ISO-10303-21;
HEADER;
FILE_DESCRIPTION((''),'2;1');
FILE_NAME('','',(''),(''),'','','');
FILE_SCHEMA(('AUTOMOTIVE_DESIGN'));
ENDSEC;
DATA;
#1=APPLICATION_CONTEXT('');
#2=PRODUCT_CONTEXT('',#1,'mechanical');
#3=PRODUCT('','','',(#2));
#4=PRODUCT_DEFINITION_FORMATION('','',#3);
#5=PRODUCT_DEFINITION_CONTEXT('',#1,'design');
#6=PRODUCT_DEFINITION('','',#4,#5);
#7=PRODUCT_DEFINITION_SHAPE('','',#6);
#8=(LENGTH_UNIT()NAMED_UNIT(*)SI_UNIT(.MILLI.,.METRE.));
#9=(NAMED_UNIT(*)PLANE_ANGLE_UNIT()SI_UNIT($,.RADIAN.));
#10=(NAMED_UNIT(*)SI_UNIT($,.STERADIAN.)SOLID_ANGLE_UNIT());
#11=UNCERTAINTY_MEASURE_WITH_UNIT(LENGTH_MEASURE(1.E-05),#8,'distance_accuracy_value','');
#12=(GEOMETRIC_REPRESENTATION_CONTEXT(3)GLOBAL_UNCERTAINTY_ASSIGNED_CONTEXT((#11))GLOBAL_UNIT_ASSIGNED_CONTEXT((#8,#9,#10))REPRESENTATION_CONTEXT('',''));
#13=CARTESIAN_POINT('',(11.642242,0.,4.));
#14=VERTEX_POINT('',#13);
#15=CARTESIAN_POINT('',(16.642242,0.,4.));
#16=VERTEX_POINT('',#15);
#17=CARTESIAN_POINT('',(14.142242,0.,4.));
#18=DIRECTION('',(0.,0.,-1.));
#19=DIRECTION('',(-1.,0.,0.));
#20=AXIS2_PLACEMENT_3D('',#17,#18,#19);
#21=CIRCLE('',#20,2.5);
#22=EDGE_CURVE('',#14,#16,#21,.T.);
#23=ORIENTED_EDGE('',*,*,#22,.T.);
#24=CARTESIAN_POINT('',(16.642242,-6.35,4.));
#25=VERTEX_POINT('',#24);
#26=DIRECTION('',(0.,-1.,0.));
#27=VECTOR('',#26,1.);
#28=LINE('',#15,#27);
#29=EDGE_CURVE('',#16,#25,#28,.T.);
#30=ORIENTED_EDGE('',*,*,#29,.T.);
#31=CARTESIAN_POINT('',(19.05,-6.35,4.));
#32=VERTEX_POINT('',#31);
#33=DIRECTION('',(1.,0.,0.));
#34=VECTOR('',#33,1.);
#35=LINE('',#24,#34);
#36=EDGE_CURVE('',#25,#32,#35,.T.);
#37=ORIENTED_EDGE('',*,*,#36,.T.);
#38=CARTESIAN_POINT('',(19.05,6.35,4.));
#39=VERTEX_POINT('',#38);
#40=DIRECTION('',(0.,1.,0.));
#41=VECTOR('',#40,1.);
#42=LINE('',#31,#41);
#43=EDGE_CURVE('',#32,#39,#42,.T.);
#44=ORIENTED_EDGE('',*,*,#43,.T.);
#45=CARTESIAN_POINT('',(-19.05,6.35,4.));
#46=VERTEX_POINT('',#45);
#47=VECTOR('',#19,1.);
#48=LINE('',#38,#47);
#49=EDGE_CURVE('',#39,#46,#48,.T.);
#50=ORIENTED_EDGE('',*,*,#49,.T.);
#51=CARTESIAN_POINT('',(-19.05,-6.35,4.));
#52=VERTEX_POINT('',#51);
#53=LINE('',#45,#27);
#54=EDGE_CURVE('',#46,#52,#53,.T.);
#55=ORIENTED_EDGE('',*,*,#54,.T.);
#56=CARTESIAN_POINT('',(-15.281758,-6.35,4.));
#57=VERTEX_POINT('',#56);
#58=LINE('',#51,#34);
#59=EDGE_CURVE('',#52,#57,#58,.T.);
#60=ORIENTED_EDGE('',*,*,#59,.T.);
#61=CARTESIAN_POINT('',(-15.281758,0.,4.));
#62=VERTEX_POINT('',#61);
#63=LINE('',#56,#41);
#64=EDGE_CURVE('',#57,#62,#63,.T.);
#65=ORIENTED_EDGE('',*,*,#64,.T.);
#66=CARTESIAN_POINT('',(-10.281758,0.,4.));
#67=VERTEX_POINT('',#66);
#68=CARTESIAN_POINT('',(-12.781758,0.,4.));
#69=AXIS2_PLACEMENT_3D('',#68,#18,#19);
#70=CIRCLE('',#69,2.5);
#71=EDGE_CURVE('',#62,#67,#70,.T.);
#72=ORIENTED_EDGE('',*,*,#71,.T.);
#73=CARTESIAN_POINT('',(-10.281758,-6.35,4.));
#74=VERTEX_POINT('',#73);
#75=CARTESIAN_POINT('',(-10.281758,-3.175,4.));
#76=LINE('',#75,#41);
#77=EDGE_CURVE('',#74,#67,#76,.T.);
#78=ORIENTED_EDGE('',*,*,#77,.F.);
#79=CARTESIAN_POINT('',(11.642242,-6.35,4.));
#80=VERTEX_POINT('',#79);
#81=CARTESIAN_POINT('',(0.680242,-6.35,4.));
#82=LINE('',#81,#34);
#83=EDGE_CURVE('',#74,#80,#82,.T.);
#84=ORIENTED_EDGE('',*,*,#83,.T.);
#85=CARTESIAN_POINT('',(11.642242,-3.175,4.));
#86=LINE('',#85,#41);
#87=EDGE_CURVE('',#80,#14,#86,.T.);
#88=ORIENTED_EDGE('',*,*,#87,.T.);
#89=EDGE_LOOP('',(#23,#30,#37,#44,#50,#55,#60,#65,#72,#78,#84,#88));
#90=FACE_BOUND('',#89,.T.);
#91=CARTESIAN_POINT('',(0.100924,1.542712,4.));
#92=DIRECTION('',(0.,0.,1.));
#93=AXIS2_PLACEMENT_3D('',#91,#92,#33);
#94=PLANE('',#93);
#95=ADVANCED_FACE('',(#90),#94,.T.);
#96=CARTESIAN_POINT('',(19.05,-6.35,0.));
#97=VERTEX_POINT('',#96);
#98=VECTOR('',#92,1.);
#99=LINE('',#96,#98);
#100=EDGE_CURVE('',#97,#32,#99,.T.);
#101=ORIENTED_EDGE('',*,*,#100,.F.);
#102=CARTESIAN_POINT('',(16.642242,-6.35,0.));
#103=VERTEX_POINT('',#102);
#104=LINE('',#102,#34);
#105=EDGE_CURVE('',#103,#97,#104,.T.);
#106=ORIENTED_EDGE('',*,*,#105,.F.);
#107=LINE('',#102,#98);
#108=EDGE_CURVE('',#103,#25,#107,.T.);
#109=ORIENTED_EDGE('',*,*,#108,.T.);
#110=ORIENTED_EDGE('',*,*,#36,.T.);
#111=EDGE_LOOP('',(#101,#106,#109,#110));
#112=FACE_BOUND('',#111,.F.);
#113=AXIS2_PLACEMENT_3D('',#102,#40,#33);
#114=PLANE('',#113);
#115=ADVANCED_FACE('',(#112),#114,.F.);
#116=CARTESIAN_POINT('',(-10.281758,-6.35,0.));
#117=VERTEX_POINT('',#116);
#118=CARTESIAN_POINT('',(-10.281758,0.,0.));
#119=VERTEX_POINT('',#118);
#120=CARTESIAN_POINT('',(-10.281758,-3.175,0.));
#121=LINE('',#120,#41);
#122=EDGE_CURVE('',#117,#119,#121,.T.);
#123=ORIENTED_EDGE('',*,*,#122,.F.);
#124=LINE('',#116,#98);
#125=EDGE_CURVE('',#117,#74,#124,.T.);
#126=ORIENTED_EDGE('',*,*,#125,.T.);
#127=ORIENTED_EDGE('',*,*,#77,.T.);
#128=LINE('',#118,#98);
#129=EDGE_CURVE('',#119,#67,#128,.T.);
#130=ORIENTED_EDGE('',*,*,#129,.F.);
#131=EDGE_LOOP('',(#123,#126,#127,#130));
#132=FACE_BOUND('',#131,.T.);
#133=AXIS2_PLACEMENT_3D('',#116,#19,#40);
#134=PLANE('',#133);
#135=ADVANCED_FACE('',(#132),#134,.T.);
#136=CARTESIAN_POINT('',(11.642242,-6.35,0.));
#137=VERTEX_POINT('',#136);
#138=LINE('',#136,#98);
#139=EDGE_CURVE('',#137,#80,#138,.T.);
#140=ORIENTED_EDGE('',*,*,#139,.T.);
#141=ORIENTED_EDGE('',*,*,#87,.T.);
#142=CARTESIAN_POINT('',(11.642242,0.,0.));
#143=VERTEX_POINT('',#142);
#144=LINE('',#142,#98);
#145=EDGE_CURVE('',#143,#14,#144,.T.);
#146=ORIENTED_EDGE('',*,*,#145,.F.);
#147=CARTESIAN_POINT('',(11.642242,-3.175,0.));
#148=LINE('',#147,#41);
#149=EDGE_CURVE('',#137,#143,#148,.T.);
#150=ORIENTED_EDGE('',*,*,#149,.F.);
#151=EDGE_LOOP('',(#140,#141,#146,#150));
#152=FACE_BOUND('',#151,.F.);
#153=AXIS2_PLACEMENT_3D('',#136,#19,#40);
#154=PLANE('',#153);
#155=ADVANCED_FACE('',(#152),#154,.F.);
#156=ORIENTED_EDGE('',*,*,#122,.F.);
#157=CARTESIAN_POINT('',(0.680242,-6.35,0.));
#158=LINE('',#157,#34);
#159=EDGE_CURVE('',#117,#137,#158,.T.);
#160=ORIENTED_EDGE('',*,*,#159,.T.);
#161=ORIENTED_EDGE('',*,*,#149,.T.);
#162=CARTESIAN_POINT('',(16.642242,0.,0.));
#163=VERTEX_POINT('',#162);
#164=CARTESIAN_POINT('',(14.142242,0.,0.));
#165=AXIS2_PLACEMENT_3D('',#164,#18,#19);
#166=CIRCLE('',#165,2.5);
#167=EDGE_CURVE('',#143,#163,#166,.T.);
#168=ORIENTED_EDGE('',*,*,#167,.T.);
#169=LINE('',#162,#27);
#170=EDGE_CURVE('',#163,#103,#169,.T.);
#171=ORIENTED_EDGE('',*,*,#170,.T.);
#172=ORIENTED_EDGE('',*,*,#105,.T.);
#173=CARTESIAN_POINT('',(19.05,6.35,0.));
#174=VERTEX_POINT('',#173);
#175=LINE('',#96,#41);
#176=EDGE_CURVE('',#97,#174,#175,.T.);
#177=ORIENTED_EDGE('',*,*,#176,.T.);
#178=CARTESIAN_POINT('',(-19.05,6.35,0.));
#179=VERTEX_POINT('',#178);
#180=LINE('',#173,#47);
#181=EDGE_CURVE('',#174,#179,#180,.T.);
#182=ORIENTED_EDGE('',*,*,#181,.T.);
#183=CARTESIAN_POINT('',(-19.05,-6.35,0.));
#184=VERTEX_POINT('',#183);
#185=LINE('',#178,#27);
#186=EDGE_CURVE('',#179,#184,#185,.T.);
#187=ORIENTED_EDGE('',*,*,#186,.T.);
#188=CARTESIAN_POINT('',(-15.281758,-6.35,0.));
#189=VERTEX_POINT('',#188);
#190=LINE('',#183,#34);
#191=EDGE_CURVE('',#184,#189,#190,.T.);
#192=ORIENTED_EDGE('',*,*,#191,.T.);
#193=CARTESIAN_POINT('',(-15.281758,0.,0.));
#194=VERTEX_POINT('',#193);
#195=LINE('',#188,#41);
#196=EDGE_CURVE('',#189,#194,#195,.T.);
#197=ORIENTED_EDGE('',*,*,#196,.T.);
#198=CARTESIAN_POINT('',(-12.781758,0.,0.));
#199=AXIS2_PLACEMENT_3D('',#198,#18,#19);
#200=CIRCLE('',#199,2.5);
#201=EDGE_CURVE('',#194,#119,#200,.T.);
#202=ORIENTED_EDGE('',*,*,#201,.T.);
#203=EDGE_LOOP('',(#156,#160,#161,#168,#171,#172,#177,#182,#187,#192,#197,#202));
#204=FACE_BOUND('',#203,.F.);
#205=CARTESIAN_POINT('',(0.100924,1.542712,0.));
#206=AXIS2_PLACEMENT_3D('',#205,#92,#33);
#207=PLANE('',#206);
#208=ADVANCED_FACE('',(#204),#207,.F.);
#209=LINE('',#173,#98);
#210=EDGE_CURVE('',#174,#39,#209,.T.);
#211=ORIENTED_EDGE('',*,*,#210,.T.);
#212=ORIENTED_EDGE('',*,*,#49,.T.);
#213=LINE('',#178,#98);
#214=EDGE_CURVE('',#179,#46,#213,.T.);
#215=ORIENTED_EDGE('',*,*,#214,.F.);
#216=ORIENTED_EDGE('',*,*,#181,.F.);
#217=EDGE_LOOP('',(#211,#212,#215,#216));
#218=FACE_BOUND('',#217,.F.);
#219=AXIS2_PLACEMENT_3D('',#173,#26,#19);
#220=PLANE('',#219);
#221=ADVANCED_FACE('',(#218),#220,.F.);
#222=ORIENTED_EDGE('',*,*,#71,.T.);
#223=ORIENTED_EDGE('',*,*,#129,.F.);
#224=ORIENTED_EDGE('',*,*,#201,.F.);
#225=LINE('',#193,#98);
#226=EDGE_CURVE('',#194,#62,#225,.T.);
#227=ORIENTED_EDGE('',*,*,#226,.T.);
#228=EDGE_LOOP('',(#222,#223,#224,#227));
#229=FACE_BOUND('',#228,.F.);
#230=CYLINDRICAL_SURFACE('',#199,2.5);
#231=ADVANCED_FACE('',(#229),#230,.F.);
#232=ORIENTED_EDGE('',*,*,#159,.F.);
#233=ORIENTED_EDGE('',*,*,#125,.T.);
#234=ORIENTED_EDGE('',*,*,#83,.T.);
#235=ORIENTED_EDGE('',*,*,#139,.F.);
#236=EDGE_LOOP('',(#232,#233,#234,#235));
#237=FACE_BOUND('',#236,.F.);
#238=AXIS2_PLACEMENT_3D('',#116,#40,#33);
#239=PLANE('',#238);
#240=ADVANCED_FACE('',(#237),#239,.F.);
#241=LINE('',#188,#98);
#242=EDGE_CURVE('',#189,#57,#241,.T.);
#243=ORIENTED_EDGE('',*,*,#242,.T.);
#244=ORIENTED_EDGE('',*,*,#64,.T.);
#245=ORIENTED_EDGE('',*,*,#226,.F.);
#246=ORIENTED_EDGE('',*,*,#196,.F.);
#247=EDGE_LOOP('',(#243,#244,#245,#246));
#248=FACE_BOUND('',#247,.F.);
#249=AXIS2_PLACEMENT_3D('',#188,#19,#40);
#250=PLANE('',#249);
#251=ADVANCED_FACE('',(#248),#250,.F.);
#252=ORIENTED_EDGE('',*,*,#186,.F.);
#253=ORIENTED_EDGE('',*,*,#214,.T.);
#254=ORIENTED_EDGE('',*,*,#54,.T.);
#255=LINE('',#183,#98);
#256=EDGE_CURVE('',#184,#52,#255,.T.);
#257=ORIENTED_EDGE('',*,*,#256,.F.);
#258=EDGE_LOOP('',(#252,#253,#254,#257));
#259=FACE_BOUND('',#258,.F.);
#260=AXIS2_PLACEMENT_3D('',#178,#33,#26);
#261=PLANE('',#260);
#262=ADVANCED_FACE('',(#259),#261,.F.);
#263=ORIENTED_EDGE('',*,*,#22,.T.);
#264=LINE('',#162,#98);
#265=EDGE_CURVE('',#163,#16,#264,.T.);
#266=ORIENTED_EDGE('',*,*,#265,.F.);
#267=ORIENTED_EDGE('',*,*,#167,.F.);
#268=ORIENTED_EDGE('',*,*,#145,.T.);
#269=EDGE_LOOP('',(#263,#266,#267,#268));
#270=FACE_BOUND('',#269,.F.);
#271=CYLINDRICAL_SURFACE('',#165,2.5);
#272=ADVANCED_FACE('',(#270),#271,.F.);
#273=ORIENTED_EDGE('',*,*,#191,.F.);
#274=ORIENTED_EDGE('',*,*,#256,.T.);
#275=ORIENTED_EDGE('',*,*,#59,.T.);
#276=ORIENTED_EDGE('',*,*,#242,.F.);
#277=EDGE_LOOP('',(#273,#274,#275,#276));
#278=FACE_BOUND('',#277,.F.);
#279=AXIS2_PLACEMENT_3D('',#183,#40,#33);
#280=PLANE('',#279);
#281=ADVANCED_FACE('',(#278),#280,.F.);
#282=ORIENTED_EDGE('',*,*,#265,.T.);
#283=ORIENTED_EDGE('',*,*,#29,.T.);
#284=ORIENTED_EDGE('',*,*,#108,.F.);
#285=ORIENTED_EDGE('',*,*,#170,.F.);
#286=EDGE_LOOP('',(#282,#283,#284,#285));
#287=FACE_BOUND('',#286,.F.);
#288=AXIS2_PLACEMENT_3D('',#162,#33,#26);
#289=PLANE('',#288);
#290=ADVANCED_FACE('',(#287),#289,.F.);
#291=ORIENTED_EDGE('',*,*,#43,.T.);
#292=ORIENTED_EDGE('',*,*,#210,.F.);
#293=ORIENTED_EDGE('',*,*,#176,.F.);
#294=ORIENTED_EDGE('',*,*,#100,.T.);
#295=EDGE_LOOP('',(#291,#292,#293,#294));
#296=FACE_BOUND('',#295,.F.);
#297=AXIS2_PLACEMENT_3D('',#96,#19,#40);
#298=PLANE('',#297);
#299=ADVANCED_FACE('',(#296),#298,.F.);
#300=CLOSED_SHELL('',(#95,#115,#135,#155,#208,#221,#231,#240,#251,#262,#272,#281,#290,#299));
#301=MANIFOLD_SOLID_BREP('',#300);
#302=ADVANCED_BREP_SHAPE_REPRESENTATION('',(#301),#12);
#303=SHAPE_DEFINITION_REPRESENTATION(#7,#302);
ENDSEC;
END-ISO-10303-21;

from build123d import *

# Parameters (mm, degrees)
F0_W     = 21.924
F0_H     = 6.35
F1_DEPTH = 4


with BuildPart() as f1:
    # F0 (on Top) → F1 (new body)
    with BuildSketch(Plane.XY):
        with BuildLine():
            ThreePointArc((-15.281758, 0), (-12.781758, 2.5), (-10.281758, 0))
            Line((-10.281758, 0), (11.642242, 0))
            ThreePointArc((11.642242, 0), (14.142242, 2.5), (16.642242, 0))
            Line((16.642242, 0), (16.642242, -6.35))
            Line((16.642242, -6.35), (19.05, -6.35))
            Line((19.05, -6.35), (19.05, 6.35))
            Line((19.05, 6.35), (-19.05, 6.35))
            Line((-19.05, 6.35), (-19.05, -6.35))
            Line((-19.05, -6.35), (-15.281758, -6.35))
            Line((-15.281758, -6.35), (-15.281758, 0))
        make_face()
        with Locations((0.680242, -3.175)):
            Rectangle(F0_W, F0_H)
    extrude(amount=F1_DEPTH)


solid = f1.part
